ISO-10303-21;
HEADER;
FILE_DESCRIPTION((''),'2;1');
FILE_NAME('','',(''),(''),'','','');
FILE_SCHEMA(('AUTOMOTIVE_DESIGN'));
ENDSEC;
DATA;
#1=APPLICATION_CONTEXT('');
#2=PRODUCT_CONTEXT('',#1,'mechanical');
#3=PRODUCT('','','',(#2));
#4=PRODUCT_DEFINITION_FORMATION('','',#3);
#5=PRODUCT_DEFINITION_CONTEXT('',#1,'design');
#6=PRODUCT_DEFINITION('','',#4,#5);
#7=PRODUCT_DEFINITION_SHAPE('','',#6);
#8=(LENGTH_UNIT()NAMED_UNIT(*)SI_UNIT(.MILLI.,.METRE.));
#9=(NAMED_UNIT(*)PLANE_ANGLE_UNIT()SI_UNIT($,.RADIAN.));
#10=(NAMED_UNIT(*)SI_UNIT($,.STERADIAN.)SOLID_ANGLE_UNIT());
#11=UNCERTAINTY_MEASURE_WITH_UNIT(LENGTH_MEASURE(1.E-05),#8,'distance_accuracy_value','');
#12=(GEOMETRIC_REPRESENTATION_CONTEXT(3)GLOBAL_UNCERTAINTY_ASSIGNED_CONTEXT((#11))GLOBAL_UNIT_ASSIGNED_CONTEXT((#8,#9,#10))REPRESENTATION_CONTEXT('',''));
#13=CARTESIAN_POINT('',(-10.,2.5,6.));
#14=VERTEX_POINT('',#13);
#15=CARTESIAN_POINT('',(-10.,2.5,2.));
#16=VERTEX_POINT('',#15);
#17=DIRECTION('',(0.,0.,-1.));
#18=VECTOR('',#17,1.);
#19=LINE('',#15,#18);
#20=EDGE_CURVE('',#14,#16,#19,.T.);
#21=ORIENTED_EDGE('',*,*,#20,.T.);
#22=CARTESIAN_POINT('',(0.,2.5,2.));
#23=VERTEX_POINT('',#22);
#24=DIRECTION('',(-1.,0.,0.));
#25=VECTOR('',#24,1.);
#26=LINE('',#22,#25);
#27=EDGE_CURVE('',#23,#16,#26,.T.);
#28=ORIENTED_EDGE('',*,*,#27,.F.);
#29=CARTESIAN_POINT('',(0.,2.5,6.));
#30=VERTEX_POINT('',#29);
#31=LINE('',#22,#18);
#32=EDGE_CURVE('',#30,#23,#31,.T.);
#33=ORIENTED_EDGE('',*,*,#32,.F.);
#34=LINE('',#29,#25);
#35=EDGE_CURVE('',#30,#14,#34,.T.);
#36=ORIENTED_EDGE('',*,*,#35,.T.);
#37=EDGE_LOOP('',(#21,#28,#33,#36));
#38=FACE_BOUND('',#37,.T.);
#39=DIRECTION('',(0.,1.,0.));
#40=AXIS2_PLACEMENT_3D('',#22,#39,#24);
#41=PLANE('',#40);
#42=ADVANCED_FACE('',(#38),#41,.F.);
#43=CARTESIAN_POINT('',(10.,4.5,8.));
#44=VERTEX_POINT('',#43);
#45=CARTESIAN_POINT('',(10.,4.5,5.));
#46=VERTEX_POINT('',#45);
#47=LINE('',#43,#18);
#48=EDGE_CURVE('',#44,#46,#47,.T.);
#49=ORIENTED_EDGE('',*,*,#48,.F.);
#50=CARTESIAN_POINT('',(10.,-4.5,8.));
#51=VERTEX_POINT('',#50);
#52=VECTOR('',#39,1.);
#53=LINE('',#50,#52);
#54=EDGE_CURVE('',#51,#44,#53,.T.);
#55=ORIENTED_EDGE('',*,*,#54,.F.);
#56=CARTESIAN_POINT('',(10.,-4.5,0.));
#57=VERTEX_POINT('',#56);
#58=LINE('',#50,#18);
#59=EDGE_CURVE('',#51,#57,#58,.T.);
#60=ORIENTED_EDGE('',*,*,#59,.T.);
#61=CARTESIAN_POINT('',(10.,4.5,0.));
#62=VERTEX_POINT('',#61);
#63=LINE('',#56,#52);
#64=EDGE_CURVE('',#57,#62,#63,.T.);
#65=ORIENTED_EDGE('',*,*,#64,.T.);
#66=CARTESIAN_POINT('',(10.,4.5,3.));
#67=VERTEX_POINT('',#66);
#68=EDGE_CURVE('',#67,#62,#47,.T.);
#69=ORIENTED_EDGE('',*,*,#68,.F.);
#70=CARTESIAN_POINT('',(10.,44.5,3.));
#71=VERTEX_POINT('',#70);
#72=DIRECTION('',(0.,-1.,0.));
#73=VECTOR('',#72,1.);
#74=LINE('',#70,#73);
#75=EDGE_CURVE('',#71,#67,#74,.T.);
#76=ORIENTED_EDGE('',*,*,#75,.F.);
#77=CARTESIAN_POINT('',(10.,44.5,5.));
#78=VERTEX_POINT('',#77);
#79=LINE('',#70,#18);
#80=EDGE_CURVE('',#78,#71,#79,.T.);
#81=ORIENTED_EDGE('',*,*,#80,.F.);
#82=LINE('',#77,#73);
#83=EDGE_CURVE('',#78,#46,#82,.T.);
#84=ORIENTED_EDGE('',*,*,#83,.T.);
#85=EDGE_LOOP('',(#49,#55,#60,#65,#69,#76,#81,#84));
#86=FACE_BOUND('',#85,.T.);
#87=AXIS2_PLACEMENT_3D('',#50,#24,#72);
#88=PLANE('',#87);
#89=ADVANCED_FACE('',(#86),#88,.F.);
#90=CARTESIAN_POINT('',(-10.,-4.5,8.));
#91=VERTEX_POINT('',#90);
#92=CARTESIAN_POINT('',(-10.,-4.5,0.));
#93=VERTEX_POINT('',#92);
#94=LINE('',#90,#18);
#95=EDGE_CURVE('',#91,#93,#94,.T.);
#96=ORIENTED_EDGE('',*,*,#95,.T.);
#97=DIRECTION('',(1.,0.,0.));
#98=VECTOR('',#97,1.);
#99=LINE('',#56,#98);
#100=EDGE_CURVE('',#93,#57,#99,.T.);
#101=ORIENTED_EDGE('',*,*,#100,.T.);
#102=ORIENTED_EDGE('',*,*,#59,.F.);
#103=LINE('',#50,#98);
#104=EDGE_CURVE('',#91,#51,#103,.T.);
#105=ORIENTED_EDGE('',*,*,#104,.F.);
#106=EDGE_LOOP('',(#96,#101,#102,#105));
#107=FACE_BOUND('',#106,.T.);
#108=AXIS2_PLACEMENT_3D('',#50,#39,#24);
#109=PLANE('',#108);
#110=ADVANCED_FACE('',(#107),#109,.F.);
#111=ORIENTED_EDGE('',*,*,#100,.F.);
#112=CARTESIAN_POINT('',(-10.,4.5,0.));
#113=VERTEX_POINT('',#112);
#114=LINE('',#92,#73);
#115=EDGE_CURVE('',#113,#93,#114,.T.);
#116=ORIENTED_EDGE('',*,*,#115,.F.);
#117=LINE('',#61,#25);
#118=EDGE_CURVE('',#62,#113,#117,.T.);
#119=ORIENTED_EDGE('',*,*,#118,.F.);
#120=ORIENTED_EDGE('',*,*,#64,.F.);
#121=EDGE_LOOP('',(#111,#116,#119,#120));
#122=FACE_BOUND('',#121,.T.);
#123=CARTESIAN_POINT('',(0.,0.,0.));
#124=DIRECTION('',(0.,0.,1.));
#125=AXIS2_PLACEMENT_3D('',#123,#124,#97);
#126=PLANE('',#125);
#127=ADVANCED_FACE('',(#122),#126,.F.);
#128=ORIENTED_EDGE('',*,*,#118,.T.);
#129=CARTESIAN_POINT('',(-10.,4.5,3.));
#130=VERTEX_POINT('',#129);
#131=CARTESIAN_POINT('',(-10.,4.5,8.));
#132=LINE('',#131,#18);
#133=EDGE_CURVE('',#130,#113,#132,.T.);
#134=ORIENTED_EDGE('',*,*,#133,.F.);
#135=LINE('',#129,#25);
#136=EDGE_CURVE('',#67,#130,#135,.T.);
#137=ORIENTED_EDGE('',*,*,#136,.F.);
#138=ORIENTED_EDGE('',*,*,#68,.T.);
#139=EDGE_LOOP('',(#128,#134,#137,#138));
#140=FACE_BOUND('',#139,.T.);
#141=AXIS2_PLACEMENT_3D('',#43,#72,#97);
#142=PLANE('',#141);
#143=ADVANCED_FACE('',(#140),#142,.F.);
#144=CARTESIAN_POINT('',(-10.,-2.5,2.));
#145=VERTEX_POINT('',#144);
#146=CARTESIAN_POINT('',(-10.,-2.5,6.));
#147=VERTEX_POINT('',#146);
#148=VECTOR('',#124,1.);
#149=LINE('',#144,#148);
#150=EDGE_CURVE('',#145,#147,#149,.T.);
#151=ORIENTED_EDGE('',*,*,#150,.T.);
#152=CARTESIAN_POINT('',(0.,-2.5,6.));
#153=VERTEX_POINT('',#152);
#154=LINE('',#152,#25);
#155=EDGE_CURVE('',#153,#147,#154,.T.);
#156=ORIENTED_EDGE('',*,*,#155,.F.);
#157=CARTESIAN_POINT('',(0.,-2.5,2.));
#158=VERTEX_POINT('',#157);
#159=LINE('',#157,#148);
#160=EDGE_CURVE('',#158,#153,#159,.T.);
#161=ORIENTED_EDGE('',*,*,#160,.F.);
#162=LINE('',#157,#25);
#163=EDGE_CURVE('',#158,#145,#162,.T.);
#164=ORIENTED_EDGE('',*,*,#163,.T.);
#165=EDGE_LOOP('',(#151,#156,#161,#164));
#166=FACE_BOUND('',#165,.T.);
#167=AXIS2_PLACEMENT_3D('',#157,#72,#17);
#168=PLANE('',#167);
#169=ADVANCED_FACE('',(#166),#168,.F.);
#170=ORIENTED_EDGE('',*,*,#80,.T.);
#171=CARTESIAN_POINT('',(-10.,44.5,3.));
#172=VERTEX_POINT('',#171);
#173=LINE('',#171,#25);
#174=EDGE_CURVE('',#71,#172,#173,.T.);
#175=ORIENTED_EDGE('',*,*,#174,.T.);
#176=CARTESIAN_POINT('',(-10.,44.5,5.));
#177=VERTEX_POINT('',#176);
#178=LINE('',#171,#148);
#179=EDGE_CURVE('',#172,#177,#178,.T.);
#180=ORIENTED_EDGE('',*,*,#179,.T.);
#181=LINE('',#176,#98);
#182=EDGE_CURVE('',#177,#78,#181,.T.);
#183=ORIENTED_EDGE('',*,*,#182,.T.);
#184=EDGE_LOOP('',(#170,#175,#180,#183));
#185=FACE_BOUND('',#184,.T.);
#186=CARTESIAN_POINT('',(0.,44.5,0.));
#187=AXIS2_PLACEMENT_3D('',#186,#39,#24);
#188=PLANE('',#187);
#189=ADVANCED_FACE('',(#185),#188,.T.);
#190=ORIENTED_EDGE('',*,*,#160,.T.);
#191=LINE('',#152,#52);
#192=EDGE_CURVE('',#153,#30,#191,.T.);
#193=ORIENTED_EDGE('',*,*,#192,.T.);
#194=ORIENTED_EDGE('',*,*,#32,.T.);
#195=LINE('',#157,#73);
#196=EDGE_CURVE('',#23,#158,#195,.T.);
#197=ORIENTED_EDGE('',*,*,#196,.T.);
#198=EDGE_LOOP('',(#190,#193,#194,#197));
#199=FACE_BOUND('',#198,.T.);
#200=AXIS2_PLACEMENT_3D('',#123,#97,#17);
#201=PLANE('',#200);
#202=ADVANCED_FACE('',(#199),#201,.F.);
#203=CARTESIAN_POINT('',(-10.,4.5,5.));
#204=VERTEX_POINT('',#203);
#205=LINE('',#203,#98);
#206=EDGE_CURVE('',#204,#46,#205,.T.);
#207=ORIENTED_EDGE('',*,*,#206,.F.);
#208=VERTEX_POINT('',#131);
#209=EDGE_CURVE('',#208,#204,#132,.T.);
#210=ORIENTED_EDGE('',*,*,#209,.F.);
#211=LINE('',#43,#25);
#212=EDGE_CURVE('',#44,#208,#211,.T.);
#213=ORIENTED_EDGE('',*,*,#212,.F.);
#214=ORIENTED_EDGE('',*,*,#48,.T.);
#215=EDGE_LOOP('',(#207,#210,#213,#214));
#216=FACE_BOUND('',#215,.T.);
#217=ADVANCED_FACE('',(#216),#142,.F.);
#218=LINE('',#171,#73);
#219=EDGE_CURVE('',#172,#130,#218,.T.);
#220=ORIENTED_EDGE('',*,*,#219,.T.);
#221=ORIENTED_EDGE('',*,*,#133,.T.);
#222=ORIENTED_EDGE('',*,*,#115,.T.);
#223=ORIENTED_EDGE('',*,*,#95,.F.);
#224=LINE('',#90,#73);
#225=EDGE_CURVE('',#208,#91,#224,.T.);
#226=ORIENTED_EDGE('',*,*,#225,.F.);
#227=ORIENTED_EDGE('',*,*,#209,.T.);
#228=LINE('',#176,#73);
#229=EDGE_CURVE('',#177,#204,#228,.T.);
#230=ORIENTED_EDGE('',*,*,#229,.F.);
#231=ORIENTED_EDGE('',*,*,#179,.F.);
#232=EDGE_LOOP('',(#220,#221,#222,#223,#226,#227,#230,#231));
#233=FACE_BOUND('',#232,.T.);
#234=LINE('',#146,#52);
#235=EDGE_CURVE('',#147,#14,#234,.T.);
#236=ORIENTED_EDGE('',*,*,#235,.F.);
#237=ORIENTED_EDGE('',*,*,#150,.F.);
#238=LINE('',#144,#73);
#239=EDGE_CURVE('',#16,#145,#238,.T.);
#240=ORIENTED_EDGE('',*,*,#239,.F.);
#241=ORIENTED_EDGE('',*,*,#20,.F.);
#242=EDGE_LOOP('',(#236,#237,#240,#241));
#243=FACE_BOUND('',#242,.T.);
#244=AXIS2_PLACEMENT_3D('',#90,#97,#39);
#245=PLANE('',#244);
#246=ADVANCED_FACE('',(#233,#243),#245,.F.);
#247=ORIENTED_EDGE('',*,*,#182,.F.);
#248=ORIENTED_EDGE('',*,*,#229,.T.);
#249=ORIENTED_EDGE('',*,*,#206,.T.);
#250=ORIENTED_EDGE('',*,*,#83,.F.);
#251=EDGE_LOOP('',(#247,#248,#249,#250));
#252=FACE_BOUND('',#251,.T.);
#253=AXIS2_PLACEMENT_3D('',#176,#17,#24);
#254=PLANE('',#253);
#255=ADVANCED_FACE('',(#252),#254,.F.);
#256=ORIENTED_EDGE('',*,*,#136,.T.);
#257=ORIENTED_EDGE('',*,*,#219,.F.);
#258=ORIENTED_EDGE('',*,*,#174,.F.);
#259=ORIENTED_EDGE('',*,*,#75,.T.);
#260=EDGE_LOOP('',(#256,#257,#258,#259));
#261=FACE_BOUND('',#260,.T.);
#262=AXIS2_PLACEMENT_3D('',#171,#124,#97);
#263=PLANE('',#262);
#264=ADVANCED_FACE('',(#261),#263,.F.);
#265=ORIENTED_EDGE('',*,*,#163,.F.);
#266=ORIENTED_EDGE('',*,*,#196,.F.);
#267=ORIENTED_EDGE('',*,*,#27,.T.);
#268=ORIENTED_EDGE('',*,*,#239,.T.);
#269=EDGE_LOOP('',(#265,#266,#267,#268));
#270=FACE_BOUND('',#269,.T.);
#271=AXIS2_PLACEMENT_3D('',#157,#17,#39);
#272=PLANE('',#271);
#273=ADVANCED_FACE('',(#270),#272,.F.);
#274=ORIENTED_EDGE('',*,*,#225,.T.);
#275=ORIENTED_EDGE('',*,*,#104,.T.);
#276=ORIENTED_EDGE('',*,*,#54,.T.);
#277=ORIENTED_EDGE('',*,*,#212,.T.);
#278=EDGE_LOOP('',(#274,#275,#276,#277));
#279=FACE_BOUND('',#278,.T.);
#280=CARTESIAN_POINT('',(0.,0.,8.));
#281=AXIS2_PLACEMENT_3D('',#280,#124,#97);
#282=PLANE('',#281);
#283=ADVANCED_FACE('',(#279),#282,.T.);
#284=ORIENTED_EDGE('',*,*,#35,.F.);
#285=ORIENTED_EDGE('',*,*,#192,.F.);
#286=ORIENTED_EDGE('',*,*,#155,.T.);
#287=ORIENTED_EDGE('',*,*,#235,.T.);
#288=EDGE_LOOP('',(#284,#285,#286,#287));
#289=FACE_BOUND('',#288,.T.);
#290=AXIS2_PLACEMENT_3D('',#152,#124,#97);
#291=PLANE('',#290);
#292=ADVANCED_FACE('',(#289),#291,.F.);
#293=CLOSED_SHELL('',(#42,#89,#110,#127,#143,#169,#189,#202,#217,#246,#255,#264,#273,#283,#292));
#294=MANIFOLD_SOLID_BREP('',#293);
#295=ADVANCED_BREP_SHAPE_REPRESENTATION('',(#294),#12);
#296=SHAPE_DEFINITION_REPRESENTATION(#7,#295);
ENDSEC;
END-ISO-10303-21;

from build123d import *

# Parameters (mm, degrees)
SKETCH2_W           = 20
SKETCH2_H           = 9
BOSS_EXTRUDE1_DEPTH = 8
SKETCH3_W           = 4
SKETCH3_H           = 5
CUT_EXTRUDE1_DEPTH  = 10
SKETCH6_W           = 20
SKETCH6_H           = 2
BOSS_EXTRUDE3_DEPTH = 40


with BuildPart() as part:
    # Sketch2 → Boss-Extrude1 (new body)
    with BuildSketch(Plane.XY):
        Rectangle(SKETCH2_W, SKETCH2_H)
    extrude(amount=BOSS_EXTRUDE1_DEPTH)

    # Sketch3 → Cut-Extrude1 (cut)
    with BuildSketch(Plane.ZY.offset(10)):
        with Locations((4, 0)):
            Rectangle(SKETCH3_W, SKETCH3_H)
    extrude(amount=-CUT_EXTRUDE1_DEPTH, mode=Mode.SUBTRACT)

    # Sketch6 → Boss-Extrude3 (add)
    with BuildSketch(Plane(origin=(0, 4.5, 0), x_dir=(1, 0, 0), z_dir=(0, 1, 0))):
        with Locations((0, -4)):
            Rectangle(SKETCH6_W, SKETCH6_H)
    extrude(amount=BOSS_EXTRUDE3_DEPTH)


solid = part.part
